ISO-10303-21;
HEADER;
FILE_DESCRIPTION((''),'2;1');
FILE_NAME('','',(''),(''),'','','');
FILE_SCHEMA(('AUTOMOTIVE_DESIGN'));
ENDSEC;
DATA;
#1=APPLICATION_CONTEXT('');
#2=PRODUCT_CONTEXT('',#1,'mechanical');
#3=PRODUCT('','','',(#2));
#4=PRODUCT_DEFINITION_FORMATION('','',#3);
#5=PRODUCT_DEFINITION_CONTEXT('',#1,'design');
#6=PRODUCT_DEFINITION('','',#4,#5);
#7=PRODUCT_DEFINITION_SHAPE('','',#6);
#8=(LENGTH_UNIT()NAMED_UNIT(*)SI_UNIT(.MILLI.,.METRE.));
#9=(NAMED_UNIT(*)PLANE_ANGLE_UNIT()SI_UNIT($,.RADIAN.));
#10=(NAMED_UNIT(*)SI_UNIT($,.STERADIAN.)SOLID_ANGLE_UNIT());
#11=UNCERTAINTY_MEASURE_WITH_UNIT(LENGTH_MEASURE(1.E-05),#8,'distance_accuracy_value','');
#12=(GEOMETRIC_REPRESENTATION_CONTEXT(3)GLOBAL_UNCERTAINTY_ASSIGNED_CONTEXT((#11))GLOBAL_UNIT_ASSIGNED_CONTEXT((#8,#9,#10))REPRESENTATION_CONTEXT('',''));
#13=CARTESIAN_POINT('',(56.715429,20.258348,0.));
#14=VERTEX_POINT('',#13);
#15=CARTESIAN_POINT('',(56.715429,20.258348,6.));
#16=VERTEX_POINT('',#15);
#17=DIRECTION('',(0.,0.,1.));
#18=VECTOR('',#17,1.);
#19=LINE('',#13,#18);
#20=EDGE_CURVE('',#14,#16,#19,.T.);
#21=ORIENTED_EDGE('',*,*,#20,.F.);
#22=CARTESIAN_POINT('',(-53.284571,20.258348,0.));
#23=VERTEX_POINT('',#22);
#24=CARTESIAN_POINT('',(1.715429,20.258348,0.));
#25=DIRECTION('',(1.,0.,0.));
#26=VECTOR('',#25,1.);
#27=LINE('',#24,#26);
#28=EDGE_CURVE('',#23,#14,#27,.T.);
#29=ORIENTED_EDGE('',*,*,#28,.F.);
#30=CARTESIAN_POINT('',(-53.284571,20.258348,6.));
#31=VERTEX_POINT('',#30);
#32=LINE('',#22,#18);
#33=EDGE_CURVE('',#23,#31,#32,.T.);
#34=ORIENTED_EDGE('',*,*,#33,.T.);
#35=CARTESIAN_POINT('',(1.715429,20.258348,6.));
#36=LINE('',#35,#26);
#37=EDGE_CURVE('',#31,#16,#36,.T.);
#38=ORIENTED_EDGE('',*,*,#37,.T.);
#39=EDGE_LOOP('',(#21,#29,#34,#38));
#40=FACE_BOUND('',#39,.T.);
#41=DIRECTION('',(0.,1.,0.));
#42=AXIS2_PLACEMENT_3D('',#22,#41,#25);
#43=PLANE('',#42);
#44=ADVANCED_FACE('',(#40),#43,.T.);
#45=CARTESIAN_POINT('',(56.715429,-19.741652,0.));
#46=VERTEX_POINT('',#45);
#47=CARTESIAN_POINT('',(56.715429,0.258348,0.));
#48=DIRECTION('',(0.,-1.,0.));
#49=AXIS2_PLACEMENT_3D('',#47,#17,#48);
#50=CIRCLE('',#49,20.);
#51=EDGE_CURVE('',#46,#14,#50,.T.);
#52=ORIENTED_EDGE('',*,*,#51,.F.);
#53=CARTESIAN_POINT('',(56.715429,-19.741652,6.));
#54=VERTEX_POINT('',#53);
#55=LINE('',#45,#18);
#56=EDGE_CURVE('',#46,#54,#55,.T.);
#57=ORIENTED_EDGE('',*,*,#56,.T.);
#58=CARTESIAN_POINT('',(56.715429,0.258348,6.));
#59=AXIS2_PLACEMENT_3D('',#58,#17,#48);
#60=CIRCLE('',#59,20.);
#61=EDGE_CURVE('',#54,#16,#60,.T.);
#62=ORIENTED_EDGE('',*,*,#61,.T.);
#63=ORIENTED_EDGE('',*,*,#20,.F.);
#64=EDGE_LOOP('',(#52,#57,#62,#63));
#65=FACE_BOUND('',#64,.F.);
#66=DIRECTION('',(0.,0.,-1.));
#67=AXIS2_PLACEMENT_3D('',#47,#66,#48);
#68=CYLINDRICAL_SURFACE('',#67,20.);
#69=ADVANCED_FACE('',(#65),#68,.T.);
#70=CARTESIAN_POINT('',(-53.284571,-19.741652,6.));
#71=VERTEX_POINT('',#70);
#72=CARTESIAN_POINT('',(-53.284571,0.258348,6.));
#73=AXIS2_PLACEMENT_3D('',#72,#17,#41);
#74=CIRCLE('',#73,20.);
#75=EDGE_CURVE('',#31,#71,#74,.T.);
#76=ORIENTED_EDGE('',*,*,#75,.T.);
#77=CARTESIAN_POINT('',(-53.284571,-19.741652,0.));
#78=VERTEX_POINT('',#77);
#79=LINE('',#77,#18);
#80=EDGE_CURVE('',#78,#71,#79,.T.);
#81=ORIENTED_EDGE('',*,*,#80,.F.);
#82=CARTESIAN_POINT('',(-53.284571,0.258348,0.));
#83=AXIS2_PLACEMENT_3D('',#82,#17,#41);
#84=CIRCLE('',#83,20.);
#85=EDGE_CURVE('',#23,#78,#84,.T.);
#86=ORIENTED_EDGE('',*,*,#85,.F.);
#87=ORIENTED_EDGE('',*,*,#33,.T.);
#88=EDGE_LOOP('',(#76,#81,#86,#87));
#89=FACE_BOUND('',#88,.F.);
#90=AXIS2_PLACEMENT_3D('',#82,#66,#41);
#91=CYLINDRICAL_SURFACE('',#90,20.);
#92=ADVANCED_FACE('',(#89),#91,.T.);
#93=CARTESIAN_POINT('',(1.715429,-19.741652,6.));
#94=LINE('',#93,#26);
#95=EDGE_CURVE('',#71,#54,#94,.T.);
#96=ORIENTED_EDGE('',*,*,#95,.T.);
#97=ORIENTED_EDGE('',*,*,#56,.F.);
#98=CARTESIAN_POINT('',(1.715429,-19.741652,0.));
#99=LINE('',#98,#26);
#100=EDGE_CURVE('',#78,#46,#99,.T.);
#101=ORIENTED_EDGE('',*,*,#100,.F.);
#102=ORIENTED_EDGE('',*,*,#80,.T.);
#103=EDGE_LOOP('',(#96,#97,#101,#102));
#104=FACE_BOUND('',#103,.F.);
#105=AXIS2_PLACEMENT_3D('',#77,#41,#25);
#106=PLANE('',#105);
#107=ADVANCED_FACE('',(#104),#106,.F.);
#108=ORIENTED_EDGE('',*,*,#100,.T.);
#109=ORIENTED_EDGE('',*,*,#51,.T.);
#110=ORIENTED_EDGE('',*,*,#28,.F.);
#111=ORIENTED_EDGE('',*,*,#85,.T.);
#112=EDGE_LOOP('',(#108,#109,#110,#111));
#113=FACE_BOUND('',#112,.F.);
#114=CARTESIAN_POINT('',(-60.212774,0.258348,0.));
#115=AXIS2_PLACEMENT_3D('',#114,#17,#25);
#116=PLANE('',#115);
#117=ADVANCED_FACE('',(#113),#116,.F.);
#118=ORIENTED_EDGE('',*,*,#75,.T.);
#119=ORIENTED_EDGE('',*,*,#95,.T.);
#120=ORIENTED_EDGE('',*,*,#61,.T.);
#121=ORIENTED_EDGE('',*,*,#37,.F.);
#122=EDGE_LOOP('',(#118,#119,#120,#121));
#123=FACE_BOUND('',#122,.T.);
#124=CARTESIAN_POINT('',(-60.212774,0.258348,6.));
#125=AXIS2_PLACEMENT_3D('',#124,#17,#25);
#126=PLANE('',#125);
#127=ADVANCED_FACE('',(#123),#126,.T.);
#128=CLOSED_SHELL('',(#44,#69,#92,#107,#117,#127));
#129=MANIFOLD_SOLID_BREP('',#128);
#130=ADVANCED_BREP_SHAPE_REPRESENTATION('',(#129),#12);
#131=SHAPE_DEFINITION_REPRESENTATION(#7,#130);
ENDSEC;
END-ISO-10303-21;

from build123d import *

# Parameters (mm, degrees)
F0_W     = 110
F0_H     = 40
F1_DEPTH = 6


with BuildPart() as f1:
    # F0 (on Top) → F1 (new body)
    with BuildSketch(Plane.XY):
        with BuildLine():
            Line((-53.284571, -19.741652), (-53.284571, 20.258348))
            ThreePointArc((-53.284571, 20.258348), (-73.284571, 0.258348), (-53.284571, -19.741652))
        make_face()
        with BuildLine():
            ThreePointArc((56.715429, -19.741652), (76.715429, 0.258348), (56.715429, 20.258348))
            Line((56.715429, 20.258348), (56.715429, -19.741652))
        make_face()
        with Locations((1.715429, 0.258348)):
            Rectangle(F0_W, F0_H)
    extrude(amount=F1_DEPTH)


solid = f1.part
